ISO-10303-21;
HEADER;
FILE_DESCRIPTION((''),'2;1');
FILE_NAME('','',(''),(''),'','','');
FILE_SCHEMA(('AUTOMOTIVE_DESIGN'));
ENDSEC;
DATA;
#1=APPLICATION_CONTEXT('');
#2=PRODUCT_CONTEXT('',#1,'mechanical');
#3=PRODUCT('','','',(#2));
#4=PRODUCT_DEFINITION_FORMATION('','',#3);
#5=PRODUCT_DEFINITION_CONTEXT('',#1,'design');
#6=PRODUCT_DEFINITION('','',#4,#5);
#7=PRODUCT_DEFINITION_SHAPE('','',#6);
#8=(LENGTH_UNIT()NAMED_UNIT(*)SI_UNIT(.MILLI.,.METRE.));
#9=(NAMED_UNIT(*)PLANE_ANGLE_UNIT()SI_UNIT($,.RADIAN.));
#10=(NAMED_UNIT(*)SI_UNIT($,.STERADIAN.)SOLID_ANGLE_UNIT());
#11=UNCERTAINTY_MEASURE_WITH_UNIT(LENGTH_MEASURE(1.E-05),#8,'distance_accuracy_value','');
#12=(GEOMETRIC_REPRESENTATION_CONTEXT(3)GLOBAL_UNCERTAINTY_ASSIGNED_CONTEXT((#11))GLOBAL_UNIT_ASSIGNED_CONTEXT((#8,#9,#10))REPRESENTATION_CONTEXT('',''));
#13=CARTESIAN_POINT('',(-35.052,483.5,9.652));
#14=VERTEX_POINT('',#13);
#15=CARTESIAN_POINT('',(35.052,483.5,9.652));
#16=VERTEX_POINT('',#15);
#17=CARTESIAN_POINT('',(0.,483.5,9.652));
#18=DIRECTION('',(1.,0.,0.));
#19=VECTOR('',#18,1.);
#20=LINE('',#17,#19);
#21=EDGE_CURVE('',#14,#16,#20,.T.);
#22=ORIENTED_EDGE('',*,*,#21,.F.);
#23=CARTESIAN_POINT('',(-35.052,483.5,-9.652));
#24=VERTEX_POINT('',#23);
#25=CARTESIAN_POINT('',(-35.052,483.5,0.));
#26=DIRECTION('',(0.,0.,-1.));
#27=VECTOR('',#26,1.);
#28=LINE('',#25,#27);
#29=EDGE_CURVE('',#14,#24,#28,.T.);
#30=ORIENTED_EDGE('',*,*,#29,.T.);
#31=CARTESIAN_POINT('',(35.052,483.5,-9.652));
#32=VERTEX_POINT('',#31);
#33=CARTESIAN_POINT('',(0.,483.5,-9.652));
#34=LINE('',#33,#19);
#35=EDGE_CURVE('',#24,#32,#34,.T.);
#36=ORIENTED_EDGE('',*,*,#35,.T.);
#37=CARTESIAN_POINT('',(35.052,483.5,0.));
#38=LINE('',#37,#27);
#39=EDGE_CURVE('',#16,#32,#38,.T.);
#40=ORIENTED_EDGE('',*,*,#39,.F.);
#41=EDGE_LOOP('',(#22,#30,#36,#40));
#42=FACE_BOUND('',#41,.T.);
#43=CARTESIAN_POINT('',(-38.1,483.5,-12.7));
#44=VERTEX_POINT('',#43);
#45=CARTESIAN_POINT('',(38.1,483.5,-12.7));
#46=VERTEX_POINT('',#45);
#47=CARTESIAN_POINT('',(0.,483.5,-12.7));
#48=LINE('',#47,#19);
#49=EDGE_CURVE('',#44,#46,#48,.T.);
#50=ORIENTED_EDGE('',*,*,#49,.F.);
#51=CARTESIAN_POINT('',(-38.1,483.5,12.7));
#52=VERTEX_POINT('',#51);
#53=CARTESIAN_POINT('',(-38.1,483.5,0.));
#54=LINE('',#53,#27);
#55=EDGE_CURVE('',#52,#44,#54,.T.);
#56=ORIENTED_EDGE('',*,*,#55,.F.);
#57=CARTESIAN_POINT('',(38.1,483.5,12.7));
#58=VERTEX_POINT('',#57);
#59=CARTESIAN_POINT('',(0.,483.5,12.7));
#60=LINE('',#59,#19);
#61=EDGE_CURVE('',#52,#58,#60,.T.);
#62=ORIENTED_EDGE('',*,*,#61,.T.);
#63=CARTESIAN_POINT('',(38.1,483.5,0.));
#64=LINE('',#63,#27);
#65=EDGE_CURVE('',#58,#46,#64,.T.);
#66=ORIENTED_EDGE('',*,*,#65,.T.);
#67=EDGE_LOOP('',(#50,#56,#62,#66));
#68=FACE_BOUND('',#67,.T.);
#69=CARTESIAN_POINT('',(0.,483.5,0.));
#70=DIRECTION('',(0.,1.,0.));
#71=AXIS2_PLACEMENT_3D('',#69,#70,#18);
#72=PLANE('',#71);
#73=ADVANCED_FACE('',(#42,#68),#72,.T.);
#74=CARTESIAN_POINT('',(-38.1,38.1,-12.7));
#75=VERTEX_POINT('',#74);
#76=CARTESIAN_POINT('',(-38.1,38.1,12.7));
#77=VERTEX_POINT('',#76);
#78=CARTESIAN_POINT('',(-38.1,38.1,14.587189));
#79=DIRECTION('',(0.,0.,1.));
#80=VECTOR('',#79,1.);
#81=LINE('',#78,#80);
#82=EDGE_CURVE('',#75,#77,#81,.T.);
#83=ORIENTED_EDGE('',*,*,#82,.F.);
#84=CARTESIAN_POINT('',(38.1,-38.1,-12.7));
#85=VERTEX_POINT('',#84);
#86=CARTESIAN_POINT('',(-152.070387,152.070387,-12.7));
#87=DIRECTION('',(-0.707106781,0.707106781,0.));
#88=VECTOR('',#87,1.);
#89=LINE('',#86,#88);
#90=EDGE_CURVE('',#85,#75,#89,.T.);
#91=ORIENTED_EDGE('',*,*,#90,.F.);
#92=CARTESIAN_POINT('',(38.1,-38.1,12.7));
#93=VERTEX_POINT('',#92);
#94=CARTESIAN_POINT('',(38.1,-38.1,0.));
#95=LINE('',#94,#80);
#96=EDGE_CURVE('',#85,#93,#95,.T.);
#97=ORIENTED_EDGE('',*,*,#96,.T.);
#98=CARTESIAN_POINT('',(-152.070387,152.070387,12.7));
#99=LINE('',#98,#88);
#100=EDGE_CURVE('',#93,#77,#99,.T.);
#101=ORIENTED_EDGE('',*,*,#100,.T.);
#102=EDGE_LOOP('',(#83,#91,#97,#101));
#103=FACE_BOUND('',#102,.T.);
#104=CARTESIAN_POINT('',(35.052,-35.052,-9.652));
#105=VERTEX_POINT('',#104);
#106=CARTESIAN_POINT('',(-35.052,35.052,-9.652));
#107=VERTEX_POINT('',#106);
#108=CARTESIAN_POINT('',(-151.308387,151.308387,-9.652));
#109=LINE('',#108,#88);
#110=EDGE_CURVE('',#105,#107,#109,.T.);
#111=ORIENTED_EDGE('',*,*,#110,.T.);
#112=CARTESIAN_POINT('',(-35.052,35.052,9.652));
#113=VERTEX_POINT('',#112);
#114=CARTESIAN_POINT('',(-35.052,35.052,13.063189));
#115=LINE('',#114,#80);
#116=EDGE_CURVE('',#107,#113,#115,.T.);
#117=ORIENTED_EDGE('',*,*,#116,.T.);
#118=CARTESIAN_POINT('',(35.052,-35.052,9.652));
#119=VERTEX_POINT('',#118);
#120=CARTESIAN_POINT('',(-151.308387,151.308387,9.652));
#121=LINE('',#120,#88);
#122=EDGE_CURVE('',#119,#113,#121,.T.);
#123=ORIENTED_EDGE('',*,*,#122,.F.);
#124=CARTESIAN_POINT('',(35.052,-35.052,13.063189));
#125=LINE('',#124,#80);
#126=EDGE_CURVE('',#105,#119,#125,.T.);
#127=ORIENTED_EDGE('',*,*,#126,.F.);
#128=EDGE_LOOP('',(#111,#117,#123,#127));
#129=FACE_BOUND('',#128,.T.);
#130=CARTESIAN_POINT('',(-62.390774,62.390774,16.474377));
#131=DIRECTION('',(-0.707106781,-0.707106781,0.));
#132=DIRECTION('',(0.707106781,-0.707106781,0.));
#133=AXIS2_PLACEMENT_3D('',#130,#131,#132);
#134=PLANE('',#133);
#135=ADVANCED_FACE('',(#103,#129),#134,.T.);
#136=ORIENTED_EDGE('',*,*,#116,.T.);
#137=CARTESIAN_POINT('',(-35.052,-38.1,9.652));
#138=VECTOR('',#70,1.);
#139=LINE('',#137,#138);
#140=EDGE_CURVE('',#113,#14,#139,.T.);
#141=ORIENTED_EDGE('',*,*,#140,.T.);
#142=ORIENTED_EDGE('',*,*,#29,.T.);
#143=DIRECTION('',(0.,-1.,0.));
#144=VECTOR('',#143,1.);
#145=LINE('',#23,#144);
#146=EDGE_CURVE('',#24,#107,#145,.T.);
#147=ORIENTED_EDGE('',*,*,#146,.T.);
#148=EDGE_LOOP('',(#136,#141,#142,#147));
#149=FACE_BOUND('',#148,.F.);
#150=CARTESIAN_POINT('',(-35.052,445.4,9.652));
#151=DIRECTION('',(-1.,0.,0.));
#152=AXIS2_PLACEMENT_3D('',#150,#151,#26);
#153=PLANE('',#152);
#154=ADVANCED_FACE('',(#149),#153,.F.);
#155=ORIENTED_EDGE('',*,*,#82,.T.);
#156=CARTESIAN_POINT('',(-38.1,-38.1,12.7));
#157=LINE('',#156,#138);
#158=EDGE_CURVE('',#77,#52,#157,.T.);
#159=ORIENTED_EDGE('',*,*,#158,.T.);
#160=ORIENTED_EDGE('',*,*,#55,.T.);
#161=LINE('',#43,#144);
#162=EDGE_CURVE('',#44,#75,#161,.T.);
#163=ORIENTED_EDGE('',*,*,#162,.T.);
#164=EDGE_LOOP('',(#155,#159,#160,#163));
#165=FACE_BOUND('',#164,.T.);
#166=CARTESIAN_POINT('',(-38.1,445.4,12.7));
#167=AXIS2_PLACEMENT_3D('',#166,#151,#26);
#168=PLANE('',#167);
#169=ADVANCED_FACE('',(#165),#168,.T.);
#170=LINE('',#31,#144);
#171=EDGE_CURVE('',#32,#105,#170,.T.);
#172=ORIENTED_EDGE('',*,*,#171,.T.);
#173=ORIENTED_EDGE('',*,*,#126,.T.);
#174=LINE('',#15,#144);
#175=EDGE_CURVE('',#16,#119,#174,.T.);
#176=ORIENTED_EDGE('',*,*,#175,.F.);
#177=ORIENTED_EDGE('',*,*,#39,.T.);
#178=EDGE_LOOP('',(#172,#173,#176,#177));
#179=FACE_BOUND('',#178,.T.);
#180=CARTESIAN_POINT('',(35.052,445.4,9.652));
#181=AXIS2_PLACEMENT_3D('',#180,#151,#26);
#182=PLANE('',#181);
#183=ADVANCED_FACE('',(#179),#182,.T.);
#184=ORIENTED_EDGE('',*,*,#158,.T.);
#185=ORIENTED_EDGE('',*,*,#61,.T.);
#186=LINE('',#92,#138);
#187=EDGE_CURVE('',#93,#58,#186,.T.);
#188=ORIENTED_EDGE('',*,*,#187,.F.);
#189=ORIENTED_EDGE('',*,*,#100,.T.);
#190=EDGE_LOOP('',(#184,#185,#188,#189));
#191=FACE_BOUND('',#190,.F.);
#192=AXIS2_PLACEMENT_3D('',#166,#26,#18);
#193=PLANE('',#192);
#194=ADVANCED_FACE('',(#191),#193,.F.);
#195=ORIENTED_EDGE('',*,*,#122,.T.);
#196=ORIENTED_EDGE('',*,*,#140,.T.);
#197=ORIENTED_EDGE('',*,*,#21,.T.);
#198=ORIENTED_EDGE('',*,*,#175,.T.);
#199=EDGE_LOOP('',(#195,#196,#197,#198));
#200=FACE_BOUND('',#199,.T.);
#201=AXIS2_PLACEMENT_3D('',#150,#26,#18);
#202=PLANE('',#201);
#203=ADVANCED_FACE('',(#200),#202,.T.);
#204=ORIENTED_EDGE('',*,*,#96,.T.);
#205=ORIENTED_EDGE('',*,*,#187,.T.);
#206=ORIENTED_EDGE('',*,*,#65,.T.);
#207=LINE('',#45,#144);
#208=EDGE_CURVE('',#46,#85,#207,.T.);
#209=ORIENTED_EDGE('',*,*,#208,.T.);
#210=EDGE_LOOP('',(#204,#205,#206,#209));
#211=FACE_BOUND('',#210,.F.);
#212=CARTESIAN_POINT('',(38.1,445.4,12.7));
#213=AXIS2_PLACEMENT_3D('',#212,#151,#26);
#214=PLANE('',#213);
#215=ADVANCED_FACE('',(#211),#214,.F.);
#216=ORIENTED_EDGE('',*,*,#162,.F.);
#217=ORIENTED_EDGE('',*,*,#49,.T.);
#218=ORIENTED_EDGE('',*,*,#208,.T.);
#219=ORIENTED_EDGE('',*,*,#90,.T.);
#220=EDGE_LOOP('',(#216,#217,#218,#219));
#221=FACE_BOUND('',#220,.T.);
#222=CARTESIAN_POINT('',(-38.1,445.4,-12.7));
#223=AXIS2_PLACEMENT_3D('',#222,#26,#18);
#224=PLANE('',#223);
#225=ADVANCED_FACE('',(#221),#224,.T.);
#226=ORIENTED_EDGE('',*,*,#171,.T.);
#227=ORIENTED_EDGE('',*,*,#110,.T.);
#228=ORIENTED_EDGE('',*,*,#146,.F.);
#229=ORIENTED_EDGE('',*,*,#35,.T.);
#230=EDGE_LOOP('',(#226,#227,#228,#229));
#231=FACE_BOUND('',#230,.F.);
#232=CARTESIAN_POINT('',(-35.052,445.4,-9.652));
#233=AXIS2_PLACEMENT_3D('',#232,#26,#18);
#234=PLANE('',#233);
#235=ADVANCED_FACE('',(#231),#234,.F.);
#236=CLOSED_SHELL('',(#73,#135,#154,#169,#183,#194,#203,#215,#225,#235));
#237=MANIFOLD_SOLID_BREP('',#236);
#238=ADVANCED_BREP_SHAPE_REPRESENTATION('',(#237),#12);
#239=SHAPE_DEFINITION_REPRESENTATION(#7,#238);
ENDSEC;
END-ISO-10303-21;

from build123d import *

# Parameters (mm, degrees)
SKETCH1_W               = 76.2
SKETCH1_H               = 25.4
SKETCH1_W_2             = 70.104
SKETCH1_H_2             = 19.304
BOSS_EXTRUDE1_DEPTH     = 445.4
SKETCH3_W               = 76.2
SKETCH3_H               = 25.4
SKETCH3_W_2             = 70.104
SKETCH3_H_2             = 19.304
BOSS_EXTRUDE2_DEPTH     = 38.1
SKETCH4_W               = 76.2
SKETCH4_H               = 25.4
SKETCH4_W_2             = 70.104
SKETCH4_H_2             = 19.304
BOSS_EXTRUDE3_DEPTH     = 38.1
CUT_EXTRUDE1_DEPTH      = 1
CUT_EXTRUDE1_DEPTH_BACK = 30.174377197


with BuildPart() as part:
    # Sketch1 → Boss-Extrude1 (new body)
    with BuildSketch(Plane(origin=(0, 0, 0), x_dir=(1, 0, 0), z_dir=(0, 1, 0))):
        Rectangle(SKETCH1_W, SKETCH1_H)
        Rectangle(SKETCH1_W_2, SKETCH1_H_2, mode=Mode.SUBTRACT)
    extrude(amount=BOSS_EXTRUDE1_DEPTH)

    # Sketch3 → Boss-Extrude2 (add)
    with BuildSketch(Plane.XZ):
        Rectangle(SKETCH3_W, SKETCH3_H)
        Rectangle(SKETCH3_W_2, SKETCH3_H_2, mode=Mode.SUBTRACT)
    extrude(amount=BOSS_EXTRUDE2_DEPTH)

    # Sketch4 → Boss-Extrude3 (add)
    with BuildSketch(Plane(origin=(0, 445.4, 0), x_dir=(1, 0, 0), z_dir=(0, 1, 0))):
        Rectangle(SKETCH4_W, SKETCH4_H)
        Rectangle(SKETCH4_W_2, SKETCH4_H_2, mode=Mode.SUBTRACT)
    extrude(amount=BOSS_EXTRUDE3_DEPTH)

    # Sketch5 → Cut-Extrude1 (cut, two sides)
    with BuildSketch(Plane(origin=(-495.613047426, 291.462739868, 16.474377197), x_dir=(0, 1, 0), z_dir=(0, 0, 1))) as cut_extrude1_sk:
        Polygon((-229.071966187, -433.222273746), (-421.383706246, -625.534013804), (-421.383706246, -336.978494197), align=None)
    extrude(amount=CUT_EXTRUDE1_DEPTH, mode=Mode.SUBTRACT)
    extrude(cut_extrude1_sk.sketch, amount=-CUT_EXTRUDE1_DEPTH_BACK, mode=Mode.SUBTRACT)


solid = part.part
